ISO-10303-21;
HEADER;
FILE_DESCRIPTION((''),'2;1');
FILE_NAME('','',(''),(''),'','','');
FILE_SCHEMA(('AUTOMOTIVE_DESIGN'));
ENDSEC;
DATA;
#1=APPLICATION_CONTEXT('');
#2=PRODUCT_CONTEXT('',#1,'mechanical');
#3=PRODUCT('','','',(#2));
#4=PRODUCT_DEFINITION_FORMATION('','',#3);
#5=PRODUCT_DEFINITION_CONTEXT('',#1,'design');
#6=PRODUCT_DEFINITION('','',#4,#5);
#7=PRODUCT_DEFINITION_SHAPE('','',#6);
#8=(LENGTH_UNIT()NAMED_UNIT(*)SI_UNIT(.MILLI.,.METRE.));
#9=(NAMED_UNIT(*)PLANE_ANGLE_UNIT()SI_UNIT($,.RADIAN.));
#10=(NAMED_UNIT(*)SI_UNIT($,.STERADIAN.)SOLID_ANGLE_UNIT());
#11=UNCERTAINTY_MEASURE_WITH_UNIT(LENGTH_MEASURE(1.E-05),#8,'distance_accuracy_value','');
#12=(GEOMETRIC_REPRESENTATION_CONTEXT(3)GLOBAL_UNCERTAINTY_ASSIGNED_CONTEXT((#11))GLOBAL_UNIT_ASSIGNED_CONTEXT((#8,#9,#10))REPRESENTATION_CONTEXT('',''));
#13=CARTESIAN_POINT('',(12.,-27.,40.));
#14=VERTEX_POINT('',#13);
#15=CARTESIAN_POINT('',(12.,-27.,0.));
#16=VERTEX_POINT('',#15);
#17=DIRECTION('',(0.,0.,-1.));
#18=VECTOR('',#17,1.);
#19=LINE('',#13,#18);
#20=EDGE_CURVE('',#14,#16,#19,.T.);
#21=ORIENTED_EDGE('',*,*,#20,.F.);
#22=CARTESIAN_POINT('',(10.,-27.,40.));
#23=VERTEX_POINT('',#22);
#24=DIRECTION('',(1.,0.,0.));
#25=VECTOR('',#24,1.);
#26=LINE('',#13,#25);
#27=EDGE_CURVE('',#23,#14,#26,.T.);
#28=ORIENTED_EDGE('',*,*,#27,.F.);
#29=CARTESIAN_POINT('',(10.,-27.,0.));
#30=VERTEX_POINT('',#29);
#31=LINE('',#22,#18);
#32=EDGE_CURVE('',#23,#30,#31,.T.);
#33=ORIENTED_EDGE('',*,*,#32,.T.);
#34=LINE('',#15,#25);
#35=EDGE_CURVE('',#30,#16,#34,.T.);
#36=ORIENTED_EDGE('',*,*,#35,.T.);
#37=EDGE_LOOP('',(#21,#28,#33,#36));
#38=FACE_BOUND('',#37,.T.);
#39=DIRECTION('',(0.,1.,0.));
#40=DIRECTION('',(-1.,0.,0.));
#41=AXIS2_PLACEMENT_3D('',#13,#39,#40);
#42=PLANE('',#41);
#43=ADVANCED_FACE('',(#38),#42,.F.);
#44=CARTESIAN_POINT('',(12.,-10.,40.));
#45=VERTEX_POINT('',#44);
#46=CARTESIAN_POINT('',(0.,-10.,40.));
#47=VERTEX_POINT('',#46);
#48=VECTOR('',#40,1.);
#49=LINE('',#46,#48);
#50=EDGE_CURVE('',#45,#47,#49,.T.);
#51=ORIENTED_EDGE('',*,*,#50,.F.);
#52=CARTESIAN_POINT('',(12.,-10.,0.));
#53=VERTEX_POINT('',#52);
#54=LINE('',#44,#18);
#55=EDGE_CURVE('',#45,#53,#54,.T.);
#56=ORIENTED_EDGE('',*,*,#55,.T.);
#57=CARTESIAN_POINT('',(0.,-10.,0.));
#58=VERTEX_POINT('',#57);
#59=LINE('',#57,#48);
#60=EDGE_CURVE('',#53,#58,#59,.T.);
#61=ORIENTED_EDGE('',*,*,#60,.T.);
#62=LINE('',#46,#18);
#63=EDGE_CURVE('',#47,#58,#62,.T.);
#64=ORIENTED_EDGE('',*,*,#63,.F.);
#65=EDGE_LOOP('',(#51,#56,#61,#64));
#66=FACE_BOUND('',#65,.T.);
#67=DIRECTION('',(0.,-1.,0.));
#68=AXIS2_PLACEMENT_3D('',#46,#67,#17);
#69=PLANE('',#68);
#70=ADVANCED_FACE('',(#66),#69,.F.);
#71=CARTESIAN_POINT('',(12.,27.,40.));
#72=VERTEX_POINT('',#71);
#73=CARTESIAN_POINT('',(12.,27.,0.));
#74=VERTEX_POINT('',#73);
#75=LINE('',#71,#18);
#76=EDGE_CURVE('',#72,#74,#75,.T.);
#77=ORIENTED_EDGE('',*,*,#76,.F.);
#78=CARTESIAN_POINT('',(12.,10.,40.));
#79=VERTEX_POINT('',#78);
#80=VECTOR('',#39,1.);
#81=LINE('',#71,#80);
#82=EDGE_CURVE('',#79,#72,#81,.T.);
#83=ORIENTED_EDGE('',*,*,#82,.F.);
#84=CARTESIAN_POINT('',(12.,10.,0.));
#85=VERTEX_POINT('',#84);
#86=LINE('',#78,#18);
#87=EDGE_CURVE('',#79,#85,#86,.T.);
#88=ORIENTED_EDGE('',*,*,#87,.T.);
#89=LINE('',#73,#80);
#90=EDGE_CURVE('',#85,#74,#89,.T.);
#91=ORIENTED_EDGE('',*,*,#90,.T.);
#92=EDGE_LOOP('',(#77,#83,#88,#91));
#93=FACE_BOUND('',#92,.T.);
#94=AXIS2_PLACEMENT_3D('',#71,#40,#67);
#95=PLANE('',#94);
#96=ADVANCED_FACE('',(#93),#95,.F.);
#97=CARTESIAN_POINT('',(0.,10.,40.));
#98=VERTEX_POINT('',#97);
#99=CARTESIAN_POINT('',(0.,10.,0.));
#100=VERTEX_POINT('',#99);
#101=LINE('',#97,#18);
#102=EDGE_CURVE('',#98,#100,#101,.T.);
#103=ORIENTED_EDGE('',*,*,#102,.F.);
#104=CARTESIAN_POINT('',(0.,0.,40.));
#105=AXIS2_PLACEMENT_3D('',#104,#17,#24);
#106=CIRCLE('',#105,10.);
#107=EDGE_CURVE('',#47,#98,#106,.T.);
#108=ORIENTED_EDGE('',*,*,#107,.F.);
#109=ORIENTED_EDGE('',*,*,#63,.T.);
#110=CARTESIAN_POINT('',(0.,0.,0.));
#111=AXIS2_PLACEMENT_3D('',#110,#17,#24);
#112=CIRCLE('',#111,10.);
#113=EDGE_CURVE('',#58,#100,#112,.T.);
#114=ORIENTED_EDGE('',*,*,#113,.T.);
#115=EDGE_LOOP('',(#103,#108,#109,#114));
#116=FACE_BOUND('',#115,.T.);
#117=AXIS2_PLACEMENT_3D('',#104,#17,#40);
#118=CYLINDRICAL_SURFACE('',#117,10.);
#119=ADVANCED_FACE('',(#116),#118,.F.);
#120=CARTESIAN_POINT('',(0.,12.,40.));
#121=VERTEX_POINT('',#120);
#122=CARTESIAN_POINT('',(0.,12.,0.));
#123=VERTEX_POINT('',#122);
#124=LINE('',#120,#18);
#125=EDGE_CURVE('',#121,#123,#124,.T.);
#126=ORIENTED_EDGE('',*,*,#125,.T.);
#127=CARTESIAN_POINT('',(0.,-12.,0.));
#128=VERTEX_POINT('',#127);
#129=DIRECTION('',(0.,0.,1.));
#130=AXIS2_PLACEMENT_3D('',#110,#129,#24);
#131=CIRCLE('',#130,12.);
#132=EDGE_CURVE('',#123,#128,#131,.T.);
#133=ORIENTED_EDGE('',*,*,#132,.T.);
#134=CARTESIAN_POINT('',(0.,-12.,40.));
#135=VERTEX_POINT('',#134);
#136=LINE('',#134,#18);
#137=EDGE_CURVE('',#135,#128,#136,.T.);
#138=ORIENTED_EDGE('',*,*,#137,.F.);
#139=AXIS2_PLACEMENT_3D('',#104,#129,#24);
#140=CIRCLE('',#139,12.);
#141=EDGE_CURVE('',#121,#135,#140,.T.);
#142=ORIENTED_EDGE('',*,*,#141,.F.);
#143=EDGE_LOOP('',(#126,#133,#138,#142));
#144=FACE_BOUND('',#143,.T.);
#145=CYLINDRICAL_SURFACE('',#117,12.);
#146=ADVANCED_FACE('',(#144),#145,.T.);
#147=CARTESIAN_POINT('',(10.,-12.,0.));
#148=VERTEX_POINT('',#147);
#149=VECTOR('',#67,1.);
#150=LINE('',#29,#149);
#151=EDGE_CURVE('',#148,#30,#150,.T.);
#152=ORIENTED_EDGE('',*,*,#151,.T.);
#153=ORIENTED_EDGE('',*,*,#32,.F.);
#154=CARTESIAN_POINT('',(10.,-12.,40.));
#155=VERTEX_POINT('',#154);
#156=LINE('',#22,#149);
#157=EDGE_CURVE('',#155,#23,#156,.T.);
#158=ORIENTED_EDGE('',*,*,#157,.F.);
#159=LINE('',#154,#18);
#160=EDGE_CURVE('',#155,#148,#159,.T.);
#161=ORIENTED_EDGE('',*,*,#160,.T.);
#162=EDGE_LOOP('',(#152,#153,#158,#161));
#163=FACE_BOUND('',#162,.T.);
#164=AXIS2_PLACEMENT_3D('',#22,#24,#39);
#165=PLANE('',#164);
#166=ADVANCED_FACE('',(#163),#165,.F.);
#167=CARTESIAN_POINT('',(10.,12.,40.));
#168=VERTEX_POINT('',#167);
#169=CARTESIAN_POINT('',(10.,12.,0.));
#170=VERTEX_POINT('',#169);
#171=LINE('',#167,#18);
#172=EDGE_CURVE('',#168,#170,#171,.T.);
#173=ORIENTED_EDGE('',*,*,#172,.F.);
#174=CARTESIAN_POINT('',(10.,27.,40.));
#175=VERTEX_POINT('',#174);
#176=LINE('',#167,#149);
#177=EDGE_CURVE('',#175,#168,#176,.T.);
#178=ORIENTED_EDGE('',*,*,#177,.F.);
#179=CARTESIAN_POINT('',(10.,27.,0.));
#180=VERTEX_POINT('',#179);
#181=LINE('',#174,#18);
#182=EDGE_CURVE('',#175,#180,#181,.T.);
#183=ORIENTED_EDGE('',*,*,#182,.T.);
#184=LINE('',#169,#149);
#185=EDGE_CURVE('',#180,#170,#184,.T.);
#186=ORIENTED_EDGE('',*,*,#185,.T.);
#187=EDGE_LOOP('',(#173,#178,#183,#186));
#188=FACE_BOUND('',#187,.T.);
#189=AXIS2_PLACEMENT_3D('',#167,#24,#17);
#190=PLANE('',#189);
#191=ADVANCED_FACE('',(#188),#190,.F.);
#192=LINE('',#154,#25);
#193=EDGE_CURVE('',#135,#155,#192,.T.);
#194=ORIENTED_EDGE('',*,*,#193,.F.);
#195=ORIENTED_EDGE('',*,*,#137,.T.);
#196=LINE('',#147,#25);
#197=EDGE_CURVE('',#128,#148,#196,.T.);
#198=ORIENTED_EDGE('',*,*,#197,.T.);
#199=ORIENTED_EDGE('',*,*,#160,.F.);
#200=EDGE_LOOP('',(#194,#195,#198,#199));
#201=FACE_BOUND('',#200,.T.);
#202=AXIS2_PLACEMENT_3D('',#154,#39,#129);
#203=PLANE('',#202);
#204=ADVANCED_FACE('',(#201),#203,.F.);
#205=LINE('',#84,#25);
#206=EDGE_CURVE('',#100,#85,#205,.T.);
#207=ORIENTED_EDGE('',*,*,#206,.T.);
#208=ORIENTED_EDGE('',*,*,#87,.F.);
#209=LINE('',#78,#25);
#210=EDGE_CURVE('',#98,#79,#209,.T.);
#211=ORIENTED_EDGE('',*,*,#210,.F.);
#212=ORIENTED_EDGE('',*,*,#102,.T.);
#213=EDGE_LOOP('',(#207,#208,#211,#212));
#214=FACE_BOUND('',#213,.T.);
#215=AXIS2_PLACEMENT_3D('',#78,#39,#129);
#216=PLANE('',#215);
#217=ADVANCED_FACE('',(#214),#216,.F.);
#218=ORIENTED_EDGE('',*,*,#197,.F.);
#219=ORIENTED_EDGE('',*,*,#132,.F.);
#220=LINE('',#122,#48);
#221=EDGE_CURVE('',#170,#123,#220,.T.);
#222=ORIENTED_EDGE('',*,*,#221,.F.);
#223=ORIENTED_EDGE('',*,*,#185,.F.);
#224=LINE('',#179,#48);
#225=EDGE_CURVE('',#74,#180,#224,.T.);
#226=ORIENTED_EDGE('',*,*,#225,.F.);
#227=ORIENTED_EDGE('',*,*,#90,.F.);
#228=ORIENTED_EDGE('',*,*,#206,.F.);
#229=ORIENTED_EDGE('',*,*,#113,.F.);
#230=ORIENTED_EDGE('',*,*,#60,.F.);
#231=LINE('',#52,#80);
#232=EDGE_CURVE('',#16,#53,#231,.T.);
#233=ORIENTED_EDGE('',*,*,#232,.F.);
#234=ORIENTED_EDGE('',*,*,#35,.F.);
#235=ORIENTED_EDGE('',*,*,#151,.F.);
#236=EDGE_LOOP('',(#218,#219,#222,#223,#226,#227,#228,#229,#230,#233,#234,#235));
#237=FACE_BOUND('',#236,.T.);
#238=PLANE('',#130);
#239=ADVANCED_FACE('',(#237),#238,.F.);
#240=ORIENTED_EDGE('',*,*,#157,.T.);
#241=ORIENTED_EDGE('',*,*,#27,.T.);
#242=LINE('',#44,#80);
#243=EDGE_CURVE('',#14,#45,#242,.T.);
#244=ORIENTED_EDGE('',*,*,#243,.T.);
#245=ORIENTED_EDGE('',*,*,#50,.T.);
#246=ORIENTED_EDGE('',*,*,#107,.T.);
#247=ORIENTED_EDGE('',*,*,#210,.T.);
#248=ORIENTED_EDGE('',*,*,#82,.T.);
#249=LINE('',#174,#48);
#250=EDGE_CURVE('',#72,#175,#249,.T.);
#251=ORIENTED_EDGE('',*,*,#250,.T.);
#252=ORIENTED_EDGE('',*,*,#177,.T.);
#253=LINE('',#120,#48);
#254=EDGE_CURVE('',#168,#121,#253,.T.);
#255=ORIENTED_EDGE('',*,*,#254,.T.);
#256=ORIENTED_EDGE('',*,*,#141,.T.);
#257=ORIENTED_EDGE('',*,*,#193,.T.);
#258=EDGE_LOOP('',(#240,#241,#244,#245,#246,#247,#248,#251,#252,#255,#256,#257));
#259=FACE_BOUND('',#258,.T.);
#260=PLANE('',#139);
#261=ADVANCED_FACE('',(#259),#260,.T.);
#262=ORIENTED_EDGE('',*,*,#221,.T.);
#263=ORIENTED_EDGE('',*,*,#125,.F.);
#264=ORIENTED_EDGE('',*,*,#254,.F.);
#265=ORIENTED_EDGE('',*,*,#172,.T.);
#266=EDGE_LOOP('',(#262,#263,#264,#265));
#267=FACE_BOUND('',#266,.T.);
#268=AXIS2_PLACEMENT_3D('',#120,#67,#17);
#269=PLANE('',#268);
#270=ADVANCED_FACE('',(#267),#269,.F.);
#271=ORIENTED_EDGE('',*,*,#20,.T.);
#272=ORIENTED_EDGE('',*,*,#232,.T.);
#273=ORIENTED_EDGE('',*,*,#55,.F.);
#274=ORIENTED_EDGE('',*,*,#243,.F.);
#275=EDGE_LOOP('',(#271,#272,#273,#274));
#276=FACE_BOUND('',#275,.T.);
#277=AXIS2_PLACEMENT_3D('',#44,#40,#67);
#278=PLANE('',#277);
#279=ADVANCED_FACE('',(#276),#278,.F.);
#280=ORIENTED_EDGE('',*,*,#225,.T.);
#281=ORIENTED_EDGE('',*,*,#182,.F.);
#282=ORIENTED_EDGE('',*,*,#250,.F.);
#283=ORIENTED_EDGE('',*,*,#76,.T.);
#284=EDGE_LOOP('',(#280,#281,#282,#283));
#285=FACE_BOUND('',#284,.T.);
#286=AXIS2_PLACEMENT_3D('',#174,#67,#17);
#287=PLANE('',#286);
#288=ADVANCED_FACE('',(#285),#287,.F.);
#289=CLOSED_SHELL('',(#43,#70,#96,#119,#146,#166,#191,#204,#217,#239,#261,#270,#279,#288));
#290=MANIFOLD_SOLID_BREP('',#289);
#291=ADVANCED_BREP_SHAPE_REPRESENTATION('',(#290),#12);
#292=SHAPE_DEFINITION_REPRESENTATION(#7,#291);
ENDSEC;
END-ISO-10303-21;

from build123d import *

# Parameters (mm, degrees)
BOSS_EXTRUDE1_DEPTH = 40


with BuildPart() as part:
    # Sketch1 → Boss-Extrude1 (new body)
    with BuildSketch(Plane.XY):
        with BuildLine():
            Line((0, 12), (10, 12))
            Line((10, 12), (10, 27))
            Line((10, 27), (12, 27))
            Line((12, 27), (12, 10))
            Line((12, 10), (0, 10))
            ThreePointArc((0, 10), (-10, 0), (0, -10))
            Line((0, -10), (12, -10))
            Line((12, -10), (12, -27))
            Line((12, -27), (10, -27))
            Line((10, -27), (10, -12))
            Line((10, -12), (0, -12))
            ThreePointArc((0, -12), (-12, 0), (0, 12))
        make_face()
    extrude(amount=BOSS_EXTRUDE1_DEPTH)


solid = part.part
